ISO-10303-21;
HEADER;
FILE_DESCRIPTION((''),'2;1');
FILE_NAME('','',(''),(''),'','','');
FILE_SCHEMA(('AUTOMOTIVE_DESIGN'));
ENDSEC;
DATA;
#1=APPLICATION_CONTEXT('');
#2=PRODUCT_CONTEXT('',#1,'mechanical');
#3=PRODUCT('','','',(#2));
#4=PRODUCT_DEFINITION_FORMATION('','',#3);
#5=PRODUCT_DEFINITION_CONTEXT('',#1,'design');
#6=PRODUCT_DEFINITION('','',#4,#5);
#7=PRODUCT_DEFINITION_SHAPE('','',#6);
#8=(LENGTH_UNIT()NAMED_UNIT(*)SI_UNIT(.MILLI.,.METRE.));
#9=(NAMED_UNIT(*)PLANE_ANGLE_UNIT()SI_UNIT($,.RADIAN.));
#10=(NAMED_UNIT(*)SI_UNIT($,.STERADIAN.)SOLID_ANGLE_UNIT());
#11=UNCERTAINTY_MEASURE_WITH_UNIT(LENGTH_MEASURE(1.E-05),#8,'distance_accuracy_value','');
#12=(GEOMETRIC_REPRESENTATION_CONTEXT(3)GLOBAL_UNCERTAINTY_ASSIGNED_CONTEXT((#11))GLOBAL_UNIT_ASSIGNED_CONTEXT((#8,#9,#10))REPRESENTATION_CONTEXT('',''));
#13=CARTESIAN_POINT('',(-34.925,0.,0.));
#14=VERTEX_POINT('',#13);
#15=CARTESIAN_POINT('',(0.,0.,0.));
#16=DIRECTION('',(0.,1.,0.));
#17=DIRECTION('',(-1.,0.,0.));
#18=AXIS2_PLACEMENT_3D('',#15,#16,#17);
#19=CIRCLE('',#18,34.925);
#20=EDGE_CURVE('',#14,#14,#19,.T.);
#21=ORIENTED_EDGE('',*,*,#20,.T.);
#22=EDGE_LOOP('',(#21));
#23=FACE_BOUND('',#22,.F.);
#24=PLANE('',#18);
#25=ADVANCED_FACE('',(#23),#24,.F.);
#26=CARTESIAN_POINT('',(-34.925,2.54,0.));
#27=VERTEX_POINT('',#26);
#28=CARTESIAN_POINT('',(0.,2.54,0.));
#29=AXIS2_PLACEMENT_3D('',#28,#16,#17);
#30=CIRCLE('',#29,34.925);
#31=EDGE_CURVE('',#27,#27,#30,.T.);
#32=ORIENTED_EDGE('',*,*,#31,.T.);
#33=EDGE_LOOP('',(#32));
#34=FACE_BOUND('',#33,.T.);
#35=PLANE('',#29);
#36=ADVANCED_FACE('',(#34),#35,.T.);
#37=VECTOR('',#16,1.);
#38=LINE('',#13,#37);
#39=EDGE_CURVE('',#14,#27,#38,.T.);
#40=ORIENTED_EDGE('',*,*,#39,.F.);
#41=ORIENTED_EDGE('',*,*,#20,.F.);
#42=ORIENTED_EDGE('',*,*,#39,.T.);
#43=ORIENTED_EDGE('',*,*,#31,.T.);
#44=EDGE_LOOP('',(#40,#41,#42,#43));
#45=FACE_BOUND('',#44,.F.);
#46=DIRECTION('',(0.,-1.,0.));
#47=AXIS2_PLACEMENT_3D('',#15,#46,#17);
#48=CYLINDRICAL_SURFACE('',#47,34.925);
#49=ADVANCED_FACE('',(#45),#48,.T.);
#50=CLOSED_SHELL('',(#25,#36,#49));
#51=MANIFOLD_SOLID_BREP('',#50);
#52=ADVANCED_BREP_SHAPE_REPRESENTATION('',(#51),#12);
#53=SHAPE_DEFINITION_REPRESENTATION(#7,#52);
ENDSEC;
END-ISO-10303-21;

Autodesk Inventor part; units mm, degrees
ref_plane "YZ Plane" through (0, 0, 0) normal (1, 0, 0) x (0, 1, 0)
ref_plane "XZ Plane" through (0, 0, 0) normal (0, 1, 0) x (-1, 0, 0)
ref_plane "XY Plane" through (0, 0, 0) normal (0, 0, 1) x (1, 0, 0)
sketch "Sketch1" plane through (0, 0, 0) normal (0, 1, 0) x (-1, 0, 0)
  circle A0 centre (0, 0) radius 34.925
  dimension "d0" = 69.85
extrude "Extrusion1" add sketch "Sketch1" along normal blind 2.54
properties part number "seal1" material "Plastic, Transparent"
